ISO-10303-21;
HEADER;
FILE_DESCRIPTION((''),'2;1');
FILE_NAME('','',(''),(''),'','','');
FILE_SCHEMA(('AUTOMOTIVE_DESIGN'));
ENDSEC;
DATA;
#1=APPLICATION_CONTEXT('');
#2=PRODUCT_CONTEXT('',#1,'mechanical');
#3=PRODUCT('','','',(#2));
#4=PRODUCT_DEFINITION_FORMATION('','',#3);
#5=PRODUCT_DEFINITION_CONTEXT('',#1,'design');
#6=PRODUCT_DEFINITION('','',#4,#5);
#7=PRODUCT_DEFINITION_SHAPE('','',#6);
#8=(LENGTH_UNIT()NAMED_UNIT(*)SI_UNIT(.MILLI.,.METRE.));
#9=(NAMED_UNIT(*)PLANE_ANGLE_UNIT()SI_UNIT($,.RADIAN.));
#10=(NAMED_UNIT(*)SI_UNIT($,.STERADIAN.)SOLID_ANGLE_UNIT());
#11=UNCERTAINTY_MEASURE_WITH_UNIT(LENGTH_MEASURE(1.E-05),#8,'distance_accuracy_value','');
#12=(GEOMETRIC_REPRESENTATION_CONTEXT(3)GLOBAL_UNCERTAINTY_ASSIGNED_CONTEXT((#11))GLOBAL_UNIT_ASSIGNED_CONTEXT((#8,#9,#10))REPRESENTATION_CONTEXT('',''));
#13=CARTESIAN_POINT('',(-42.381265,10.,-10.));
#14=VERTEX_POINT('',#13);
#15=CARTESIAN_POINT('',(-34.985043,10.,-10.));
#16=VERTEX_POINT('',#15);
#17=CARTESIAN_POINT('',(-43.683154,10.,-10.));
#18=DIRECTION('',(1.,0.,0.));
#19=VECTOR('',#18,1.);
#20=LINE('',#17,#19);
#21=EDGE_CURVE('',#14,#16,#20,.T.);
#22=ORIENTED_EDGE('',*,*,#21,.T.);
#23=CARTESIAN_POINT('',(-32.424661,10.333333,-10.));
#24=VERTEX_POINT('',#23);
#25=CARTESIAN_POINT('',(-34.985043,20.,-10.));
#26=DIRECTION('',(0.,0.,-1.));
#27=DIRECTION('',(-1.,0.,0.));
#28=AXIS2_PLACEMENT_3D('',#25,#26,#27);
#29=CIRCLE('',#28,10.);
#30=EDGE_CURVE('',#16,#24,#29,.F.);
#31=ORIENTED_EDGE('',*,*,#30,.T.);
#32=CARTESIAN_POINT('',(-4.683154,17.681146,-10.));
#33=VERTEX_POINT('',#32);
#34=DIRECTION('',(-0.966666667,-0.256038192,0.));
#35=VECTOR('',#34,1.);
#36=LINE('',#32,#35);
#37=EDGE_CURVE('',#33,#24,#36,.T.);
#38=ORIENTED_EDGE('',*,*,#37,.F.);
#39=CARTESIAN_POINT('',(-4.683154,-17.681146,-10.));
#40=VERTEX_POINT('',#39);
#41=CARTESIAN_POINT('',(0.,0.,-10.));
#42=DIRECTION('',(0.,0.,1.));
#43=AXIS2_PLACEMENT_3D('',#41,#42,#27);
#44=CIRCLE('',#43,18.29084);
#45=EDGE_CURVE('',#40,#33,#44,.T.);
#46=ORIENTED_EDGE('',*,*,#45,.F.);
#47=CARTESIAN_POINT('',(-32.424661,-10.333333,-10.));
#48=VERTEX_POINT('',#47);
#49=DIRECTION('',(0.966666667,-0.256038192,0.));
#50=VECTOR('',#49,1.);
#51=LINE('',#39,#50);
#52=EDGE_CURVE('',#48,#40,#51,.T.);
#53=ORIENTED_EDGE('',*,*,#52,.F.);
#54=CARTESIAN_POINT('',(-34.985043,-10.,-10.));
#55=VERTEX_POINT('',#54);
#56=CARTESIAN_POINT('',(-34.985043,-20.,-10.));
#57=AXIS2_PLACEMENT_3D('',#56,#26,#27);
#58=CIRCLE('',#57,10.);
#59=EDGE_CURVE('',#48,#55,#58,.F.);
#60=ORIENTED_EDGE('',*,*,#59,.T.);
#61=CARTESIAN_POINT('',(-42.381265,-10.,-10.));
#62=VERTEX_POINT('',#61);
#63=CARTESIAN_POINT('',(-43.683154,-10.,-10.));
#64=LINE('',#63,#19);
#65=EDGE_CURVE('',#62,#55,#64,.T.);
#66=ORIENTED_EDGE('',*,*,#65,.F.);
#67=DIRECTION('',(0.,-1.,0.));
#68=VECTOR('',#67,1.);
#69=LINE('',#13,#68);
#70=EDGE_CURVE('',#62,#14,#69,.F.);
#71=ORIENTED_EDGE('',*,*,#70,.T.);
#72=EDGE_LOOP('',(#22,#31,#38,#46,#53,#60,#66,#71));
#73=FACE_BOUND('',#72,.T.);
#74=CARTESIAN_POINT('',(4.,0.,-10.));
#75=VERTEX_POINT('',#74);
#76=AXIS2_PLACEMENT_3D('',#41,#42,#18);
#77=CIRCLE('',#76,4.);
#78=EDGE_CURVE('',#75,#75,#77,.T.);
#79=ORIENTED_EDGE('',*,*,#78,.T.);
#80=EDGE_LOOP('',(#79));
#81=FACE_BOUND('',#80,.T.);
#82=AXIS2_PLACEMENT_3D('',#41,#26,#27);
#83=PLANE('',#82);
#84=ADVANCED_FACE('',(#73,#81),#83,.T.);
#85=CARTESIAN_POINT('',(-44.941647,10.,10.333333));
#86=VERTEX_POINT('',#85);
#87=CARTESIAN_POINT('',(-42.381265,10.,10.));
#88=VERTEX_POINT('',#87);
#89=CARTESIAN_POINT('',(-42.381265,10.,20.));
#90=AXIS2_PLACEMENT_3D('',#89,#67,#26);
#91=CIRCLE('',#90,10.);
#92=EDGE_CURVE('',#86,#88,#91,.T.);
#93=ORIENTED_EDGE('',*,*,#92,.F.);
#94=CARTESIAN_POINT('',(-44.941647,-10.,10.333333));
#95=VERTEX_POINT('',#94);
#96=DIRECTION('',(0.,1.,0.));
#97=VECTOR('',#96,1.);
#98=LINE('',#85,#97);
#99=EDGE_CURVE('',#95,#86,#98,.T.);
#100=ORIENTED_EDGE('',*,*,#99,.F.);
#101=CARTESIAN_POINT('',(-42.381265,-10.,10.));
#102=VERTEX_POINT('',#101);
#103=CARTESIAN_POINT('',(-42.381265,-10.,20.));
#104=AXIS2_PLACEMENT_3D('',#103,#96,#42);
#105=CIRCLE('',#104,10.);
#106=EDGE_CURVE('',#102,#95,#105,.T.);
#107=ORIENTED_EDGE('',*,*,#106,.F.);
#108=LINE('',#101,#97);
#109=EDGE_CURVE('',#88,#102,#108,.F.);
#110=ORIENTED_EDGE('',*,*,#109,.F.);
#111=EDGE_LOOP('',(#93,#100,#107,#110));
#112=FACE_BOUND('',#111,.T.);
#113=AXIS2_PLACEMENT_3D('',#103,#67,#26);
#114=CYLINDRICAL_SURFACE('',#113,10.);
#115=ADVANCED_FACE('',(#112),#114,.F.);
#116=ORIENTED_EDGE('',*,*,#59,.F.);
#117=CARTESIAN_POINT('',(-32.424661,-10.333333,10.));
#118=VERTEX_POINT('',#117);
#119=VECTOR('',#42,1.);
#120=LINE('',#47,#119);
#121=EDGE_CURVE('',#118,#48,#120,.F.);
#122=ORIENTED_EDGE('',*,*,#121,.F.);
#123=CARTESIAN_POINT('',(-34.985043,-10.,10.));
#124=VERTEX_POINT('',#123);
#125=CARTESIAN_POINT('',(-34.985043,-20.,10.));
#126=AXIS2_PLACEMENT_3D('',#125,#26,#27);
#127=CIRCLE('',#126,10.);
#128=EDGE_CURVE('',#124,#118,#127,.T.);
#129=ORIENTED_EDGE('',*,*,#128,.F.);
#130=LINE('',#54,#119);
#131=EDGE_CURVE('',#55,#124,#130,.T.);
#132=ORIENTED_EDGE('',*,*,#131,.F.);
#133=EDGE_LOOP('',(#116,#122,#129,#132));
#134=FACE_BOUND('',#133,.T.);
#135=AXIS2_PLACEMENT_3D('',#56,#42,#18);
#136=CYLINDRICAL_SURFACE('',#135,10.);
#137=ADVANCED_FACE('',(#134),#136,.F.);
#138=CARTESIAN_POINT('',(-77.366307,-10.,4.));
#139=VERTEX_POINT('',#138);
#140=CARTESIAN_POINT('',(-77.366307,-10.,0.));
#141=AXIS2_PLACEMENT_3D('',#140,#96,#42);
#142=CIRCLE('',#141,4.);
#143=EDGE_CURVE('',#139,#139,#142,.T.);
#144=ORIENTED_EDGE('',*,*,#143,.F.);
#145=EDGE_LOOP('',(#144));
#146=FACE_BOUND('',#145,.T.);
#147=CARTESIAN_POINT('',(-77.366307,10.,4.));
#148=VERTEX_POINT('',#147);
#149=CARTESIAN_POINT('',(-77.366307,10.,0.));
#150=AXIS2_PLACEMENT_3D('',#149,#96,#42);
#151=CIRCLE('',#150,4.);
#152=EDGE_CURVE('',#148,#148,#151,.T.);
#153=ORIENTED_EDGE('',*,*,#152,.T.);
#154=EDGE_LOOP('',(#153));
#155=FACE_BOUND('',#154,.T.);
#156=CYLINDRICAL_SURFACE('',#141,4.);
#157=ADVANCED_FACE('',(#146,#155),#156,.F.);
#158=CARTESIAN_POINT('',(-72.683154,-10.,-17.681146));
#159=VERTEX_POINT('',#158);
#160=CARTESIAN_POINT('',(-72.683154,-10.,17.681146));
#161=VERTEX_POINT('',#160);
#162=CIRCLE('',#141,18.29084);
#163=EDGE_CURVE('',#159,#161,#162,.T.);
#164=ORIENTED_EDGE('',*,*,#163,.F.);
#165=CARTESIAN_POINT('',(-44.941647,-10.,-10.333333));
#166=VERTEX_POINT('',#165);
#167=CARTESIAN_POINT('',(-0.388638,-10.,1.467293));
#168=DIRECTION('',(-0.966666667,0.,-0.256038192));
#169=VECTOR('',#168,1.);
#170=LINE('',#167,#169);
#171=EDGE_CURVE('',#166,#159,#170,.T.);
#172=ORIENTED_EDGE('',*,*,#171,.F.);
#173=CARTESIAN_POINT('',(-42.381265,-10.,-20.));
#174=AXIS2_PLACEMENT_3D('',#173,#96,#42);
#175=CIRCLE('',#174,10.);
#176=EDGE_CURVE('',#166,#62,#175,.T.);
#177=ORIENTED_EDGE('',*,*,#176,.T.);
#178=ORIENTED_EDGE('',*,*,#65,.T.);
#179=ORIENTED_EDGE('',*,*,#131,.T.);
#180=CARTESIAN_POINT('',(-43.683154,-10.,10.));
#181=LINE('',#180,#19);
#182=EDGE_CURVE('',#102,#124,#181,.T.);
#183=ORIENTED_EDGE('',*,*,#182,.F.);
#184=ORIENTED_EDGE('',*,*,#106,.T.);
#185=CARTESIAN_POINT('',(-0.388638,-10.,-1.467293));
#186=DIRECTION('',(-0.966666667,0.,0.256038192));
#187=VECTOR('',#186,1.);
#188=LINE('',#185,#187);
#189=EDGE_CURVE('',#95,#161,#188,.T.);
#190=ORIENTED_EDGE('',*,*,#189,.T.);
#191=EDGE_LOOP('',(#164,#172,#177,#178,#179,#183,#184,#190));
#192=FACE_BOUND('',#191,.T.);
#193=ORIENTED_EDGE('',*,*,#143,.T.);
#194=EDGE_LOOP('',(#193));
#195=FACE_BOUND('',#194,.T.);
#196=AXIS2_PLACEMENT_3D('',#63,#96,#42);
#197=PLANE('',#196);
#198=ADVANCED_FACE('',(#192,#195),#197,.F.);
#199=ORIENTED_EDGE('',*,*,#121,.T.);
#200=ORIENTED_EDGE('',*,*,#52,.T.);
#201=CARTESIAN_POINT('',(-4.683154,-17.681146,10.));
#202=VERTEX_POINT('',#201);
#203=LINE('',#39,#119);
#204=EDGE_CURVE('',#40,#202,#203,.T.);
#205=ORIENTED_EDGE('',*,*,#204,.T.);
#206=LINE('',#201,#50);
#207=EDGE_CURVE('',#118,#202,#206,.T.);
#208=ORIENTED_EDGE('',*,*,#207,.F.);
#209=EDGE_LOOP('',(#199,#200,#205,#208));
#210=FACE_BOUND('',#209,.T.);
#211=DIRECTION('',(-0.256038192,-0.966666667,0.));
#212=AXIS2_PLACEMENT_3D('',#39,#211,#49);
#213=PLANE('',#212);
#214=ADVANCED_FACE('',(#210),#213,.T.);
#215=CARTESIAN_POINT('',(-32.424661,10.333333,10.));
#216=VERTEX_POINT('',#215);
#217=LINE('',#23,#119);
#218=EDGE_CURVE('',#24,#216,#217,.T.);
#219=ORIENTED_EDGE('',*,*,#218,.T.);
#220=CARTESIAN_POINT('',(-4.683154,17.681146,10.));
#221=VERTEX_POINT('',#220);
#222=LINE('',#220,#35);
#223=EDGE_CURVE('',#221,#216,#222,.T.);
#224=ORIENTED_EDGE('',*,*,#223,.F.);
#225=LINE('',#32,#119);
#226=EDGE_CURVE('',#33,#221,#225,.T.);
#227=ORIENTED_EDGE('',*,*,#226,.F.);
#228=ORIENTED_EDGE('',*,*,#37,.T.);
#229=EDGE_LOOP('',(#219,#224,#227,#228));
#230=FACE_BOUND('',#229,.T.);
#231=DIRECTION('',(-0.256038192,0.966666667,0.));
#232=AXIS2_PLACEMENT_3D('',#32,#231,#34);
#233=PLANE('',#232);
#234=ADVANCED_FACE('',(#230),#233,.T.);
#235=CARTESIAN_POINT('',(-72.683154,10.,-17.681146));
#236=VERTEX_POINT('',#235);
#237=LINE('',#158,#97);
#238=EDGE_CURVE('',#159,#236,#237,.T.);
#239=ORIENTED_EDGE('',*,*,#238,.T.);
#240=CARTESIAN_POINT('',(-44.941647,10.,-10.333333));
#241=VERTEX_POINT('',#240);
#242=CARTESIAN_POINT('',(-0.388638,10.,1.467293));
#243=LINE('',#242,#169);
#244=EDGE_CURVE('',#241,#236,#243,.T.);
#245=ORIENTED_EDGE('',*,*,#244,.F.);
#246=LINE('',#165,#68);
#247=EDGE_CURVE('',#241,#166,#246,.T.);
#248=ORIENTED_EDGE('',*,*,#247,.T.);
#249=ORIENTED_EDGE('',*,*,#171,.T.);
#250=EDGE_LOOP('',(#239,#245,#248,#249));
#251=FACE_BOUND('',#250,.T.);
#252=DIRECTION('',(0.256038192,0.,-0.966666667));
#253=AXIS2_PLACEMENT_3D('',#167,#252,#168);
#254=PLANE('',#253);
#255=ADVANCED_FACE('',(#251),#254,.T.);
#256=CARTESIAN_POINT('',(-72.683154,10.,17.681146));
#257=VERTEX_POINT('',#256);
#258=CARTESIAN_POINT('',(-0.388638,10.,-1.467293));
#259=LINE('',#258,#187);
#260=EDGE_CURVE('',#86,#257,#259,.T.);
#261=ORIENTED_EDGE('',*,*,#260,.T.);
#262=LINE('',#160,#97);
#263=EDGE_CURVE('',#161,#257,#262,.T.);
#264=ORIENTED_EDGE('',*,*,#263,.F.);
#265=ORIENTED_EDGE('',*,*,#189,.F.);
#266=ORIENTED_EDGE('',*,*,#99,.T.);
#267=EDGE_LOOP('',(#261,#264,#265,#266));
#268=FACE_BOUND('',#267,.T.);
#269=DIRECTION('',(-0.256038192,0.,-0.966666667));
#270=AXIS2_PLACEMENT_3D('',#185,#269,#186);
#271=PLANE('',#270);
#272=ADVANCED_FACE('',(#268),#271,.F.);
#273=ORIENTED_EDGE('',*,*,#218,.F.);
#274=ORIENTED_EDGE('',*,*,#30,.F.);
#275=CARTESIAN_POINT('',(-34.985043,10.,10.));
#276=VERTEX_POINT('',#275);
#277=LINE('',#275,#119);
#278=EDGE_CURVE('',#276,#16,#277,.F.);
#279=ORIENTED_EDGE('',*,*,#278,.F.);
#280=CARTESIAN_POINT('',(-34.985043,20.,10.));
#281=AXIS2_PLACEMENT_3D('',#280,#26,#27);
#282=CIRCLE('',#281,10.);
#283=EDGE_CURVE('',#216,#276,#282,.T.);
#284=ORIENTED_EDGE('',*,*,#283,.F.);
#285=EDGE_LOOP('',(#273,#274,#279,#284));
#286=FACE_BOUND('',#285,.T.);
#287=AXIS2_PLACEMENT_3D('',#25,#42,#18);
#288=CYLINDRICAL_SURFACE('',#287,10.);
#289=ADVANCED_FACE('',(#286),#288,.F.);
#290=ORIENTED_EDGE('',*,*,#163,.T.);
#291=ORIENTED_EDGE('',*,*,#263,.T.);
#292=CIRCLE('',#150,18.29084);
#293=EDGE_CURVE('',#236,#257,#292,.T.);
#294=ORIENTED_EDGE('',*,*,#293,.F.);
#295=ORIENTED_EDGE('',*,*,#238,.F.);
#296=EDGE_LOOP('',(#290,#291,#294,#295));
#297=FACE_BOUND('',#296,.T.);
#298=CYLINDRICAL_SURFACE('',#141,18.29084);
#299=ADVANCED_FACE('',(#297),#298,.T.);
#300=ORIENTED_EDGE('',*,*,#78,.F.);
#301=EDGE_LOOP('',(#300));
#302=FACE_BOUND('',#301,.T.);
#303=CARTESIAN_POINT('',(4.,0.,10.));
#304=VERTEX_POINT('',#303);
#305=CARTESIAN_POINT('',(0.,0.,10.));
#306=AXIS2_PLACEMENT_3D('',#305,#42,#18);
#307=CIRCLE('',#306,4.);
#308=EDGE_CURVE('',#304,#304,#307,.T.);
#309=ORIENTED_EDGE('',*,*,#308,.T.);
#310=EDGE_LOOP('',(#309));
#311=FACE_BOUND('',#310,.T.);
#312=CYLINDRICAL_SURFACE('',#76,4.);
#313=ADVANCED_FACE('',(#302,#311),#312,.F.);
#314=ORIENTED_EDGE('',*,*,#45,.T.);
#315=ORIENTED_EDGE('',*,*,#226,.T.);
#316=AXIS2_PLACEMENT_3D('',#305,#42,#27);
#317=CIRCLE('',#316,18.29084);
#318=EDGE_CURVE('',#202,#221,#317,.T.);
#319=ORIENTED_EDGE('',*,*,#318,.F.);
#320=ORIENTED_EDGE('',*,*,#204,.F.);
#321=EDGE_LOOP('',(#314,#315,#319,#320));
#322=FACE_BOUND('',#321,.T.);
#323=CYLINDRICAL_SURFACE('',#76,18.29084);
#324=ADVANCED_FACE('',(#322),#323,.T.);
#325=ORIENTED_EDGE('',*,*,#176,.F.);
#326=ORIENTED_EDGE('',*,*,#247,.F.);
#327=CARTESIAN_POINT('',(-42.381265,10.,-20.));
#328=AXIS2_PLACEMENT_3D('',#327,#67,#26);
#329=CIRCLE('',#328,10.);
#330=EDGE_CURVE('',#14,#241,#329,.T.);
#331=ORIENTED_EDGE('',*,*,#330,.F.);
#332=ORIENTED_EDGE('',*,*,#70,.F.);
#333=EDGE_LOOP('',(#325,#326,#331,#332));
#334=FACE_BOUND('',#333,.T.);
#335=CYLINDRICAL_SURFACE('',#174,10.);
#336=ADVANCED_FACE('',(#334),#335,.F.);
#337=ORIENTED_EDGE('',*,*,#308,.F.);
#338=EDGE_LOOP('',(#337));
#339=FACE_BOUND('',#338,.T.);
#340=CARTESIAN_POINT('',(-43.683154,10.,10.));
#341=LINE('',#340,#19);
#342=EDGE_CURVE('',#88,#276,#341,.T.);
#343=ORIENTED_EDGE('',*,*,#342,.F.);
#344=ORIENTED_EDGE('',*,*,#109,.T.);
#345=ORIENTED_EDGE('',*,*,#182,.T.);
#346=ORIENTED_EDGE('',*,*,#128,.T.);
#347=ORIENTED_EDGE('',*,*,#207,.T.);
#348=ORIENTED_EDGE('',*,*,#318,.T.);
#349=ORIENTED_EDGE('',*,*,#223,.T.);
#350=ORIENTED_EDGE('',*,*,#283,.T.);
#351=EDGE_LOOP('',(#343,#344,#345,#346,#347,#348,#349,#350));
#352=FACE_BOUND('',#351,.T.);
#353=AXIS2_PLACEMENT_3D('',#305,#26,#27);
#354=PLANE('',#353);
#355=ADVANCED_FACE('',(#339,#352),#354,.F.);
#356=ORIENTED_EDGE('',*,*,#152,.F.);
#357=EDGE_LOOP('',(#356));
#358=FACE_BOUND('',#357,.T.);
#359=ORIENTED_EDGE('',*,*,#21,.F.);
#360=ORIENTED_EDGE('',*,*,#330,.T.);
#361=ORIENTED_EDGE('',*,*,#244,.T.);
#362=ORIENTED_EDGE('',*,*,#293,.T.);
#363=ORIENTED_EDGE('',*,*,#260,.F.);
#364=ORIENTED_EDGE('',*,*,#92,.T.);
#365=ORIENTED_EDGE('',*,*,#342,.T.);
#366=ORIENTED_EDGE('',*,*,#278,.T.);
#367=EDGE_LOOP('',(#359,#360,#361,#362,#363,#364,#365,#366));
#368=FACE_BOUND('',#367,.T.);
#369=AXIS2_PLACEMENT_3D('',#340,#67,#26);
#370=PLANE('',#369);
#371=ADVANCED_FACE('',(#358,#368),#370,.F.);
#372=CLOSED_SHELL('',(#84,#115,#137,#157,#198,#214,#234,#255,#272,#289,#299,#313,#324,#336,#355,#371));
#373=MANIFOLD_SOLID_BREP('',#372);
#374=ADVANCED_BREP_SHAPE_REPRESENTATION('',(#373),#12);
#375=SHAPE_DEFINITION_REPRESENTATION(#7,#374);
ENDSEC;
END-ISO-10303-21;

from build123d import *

# Parameters (mm, degrees)
SKETCH1_R           = 4
BOSS_EXTRUDE1_DEPTH = 10
SKETCH2_W           = 20
SKETCH2_H           = 20
BOSS_EXTRUDE2_DEPTH = 10
SKETCH3_R           = 4
BOSS_EXTRUDE4_DEPTH = 10
FILLET1_R           = 10


with BuildPart() as part:
    # Sketch1 → Boss-Extrude1 (new, symmetric)
    with BuildSketch(Plane.XY):
        with BuildLine():
            Line((-4.683153706, 17.681145748), (-33.683153706, 10))
            Line((-33.683153706, 10), (-33.683153706, -10))
            Line((-33.683153706, -10), (-4.683153706, -17.681145748))
            ThreePointArc((-4.683153706, -17.681145748), (18.290840429, 0), (-4.683153706, 17.681145748))
        make_face()
        Circle(SKETCH1_R, mode=Mode.SUBTRACT)
    extrude(amount=BOSS_EXTRUDE1_DEPTH, both=True)

    # Sketch2 → Boss-Extrude2 (add)
    with BuildSketch(Plane.ZY.offset(33.683153706)):
        Rectangle(SKETCH2_W, SKETCH2_H)
    extrude(amount=BOSS_EXTRUDE2_DEPTH)

    # Sketch3 → Boss-Extrude4 (add, symmetric)
    with BuildSketch(Plane(origin=(0, 0, 0), x_dir=(1, 0, 0), z_dir=(0, 1, 0))):
        with BuildLine():
            Line((-43.683153706, 10), (-72.683153706, 17.681145748))
            ThreePointArc((-72.683153706, 17.681145748), (-95.657147841, 0), (-72.683153706, -17.681145748))
            Line((-72.683153706, -17.681145748), (-43.683153706, -10))
            Line((-43.683153706, -10), (-43.683153706, 10))
        make_face()
        with Locations(Location((-77.366307412, 0, 0), (0, 0, 270))):
            Circle(SKETCH3_R, mode=Mode.SUBTRACT)
    extrude(amount=BOSS_EXTRUDE4_DEPTH, both=True)

    # Fillet1
    fillet1_edges = [part.edges().sort_by_distance(p)[0] for p in [
        (-43.683153706, 0, 10),
        (-43.683153706, 0, -10),
        (-33.683153706, -10, 0),
        (-33.683153706, 10, 0),
    ]]
    fillet(fillet1_edges, radius=FILLET1_R)


solid = part.part
